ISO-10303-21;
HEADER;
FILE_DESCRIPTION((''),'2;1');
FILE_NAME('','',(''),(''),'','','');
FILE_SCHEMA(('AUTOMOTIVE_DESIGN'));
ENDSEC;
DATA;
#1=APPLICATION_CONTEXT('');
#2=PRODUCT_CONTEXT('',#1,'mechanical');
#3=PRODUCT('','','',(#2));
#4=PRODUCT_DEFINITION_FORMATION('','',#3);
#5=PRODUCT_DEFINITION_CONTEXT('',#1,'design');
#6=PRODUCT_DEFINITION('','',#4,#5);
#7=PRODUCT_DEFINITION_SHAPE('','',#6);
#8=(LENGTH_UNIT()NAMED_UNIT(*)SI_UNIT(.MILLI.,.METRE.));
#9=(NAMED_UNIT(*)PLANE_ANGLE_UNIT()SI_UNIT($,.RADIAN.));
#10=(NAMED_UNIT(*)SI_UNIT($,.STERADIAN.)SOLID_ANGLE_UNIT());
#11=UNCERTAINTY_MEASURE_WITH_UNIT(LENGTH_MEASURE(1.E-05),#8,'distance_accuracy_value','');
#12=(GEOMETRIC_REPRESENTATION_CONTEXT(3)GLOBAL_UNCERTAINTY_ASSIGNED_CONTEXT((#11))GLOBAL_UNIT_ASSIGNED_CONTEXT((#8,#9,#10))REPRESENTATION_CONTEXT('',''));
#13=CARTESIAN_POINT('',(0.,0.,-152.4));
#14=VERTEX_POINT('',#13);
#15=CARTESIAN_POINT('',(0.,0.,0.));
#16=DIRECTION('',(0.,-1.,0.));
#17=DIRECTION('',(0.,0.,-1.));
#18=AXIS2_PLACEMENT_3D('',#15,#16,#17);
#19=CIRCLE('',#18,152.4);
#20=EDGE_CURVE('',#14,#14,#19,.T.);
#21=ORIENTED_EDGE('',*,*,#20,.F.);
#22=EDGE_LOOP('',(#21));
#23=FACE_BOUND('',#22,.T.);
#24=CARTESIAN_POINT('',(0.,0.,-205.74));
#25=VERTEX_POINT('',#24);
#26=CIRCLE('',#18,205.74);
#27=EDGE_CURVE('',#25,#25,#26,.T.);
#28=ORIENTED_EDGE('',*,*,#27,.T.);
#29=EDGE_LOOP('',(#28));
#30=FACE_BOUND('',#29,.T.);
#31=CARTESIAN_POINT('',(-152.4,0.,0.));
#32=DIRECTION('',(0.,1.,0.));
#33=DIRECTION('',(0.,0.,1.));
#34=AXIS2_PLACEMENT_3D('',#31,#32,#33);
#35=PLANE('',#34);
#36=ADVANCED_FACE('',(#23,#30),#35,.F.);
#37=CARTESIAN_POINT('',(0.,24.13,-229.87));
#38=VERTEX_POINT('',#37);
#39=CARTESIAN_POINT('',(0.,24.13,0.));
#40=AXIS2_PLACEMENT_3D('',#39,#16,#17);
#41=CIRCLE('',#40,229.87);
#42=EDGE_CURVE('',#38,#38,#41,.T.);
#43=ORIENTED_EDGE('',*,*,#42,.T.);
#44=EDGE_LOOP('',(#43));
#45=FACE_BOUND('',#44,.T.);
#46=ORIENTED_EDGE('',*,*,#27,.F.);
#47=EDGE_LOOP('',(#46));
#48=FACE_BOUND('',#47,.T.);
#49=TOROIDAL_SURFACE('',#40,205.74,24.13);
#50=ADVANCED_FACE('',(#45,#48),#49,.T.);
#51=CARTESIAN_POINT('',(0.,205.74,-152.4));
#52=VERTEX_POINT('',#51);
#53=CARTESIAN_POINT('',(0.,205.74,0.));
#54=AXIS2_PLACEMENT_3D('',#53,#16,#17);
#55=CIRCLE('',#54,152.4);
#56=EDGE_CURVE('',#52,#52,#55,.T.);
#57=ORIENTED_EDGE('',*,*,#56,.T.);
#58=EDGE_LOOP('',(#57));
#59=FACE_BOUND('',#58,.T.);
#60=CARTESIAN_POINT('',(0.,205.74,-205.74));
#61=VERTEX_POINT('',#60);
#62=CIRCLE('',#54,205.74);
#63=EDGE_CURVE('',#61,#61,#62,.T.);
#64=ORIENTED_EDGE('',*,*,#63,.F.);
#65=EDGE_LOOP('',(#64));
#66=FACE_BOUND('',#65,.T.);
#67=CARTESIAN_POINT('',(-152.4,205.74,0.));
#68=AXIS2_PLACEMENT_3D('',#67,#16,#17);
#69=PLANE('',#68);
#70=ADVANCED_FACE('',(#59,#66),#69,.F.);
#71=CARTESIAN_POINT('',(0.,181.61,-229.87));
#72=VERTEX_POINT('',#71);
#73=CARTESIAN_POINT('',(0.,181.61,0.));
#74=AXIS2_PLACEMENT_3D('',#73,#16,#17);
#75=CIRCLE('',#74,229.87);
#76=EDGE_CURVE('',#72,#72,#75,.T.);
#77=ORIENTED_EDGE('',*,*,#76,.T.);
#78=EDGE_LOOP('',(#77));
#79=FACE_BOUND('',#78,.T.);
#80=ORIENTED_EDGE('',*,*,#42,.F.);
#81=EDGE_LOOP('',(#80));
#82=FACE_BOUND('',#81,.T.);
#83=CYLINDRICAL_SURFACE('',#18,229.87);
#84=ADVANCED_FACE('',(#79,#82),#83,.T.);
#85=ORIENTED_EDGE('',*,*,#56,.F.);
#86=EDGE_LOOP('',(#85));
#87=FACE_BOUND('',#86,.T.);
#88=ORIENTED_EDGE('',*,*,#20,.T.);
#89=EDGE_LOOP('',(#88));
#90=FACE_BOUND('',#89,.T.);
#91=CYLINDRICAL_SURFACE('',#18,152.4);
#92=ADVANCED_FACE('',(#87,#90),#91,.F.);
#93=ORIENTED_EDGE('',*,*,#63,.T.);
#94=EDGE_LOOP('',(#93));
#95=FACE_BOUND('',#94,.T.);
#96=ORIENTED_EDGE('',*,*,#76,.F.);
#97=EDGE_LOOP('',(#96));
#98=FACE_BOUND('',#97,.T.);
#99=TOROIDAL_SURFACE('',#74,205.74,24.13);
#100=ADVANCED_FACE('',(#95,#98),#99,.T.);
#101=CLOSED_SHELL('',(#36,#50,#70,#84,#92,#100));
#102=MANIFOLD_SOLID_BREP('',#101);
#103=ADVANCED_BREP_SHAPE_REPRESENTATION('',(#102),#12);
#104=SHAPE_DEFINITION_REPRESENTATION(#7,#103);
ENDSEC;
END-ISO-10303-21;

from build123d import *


with BuildPart() as part:
    # Sketch4 → Revolve1 (revolve)
    with BuildSketch(Plane.XY, mode=Mode.PRIVATE) as revolve1_sk:
        with BuildLine():
            Line((-152.4, 0), (-152.4, 205.74))
            Line((-152.4, 205.74), (-205.74, 205.74))
            ThreePointArc((-205.74, 205.74), (-222.80248663, 198.67248663), (-229.87, 181.61))
            Line((-229.87, 181.61), (-229.87, 24.13))
            ThreePointArc((-229.87, 24.13), (-222.80248663, 7.06751337), (-205.74, 0))
            Line((-205.74, 0), (-152.4, 0))
        make_face()
    revolve(revolve1_sk.sketch.rotate(Axis((0, 0, 0), (0, 1, 0)), 270), axis=Axis((0, 0, 0), (0, 1, 0)))


solid = part.part
